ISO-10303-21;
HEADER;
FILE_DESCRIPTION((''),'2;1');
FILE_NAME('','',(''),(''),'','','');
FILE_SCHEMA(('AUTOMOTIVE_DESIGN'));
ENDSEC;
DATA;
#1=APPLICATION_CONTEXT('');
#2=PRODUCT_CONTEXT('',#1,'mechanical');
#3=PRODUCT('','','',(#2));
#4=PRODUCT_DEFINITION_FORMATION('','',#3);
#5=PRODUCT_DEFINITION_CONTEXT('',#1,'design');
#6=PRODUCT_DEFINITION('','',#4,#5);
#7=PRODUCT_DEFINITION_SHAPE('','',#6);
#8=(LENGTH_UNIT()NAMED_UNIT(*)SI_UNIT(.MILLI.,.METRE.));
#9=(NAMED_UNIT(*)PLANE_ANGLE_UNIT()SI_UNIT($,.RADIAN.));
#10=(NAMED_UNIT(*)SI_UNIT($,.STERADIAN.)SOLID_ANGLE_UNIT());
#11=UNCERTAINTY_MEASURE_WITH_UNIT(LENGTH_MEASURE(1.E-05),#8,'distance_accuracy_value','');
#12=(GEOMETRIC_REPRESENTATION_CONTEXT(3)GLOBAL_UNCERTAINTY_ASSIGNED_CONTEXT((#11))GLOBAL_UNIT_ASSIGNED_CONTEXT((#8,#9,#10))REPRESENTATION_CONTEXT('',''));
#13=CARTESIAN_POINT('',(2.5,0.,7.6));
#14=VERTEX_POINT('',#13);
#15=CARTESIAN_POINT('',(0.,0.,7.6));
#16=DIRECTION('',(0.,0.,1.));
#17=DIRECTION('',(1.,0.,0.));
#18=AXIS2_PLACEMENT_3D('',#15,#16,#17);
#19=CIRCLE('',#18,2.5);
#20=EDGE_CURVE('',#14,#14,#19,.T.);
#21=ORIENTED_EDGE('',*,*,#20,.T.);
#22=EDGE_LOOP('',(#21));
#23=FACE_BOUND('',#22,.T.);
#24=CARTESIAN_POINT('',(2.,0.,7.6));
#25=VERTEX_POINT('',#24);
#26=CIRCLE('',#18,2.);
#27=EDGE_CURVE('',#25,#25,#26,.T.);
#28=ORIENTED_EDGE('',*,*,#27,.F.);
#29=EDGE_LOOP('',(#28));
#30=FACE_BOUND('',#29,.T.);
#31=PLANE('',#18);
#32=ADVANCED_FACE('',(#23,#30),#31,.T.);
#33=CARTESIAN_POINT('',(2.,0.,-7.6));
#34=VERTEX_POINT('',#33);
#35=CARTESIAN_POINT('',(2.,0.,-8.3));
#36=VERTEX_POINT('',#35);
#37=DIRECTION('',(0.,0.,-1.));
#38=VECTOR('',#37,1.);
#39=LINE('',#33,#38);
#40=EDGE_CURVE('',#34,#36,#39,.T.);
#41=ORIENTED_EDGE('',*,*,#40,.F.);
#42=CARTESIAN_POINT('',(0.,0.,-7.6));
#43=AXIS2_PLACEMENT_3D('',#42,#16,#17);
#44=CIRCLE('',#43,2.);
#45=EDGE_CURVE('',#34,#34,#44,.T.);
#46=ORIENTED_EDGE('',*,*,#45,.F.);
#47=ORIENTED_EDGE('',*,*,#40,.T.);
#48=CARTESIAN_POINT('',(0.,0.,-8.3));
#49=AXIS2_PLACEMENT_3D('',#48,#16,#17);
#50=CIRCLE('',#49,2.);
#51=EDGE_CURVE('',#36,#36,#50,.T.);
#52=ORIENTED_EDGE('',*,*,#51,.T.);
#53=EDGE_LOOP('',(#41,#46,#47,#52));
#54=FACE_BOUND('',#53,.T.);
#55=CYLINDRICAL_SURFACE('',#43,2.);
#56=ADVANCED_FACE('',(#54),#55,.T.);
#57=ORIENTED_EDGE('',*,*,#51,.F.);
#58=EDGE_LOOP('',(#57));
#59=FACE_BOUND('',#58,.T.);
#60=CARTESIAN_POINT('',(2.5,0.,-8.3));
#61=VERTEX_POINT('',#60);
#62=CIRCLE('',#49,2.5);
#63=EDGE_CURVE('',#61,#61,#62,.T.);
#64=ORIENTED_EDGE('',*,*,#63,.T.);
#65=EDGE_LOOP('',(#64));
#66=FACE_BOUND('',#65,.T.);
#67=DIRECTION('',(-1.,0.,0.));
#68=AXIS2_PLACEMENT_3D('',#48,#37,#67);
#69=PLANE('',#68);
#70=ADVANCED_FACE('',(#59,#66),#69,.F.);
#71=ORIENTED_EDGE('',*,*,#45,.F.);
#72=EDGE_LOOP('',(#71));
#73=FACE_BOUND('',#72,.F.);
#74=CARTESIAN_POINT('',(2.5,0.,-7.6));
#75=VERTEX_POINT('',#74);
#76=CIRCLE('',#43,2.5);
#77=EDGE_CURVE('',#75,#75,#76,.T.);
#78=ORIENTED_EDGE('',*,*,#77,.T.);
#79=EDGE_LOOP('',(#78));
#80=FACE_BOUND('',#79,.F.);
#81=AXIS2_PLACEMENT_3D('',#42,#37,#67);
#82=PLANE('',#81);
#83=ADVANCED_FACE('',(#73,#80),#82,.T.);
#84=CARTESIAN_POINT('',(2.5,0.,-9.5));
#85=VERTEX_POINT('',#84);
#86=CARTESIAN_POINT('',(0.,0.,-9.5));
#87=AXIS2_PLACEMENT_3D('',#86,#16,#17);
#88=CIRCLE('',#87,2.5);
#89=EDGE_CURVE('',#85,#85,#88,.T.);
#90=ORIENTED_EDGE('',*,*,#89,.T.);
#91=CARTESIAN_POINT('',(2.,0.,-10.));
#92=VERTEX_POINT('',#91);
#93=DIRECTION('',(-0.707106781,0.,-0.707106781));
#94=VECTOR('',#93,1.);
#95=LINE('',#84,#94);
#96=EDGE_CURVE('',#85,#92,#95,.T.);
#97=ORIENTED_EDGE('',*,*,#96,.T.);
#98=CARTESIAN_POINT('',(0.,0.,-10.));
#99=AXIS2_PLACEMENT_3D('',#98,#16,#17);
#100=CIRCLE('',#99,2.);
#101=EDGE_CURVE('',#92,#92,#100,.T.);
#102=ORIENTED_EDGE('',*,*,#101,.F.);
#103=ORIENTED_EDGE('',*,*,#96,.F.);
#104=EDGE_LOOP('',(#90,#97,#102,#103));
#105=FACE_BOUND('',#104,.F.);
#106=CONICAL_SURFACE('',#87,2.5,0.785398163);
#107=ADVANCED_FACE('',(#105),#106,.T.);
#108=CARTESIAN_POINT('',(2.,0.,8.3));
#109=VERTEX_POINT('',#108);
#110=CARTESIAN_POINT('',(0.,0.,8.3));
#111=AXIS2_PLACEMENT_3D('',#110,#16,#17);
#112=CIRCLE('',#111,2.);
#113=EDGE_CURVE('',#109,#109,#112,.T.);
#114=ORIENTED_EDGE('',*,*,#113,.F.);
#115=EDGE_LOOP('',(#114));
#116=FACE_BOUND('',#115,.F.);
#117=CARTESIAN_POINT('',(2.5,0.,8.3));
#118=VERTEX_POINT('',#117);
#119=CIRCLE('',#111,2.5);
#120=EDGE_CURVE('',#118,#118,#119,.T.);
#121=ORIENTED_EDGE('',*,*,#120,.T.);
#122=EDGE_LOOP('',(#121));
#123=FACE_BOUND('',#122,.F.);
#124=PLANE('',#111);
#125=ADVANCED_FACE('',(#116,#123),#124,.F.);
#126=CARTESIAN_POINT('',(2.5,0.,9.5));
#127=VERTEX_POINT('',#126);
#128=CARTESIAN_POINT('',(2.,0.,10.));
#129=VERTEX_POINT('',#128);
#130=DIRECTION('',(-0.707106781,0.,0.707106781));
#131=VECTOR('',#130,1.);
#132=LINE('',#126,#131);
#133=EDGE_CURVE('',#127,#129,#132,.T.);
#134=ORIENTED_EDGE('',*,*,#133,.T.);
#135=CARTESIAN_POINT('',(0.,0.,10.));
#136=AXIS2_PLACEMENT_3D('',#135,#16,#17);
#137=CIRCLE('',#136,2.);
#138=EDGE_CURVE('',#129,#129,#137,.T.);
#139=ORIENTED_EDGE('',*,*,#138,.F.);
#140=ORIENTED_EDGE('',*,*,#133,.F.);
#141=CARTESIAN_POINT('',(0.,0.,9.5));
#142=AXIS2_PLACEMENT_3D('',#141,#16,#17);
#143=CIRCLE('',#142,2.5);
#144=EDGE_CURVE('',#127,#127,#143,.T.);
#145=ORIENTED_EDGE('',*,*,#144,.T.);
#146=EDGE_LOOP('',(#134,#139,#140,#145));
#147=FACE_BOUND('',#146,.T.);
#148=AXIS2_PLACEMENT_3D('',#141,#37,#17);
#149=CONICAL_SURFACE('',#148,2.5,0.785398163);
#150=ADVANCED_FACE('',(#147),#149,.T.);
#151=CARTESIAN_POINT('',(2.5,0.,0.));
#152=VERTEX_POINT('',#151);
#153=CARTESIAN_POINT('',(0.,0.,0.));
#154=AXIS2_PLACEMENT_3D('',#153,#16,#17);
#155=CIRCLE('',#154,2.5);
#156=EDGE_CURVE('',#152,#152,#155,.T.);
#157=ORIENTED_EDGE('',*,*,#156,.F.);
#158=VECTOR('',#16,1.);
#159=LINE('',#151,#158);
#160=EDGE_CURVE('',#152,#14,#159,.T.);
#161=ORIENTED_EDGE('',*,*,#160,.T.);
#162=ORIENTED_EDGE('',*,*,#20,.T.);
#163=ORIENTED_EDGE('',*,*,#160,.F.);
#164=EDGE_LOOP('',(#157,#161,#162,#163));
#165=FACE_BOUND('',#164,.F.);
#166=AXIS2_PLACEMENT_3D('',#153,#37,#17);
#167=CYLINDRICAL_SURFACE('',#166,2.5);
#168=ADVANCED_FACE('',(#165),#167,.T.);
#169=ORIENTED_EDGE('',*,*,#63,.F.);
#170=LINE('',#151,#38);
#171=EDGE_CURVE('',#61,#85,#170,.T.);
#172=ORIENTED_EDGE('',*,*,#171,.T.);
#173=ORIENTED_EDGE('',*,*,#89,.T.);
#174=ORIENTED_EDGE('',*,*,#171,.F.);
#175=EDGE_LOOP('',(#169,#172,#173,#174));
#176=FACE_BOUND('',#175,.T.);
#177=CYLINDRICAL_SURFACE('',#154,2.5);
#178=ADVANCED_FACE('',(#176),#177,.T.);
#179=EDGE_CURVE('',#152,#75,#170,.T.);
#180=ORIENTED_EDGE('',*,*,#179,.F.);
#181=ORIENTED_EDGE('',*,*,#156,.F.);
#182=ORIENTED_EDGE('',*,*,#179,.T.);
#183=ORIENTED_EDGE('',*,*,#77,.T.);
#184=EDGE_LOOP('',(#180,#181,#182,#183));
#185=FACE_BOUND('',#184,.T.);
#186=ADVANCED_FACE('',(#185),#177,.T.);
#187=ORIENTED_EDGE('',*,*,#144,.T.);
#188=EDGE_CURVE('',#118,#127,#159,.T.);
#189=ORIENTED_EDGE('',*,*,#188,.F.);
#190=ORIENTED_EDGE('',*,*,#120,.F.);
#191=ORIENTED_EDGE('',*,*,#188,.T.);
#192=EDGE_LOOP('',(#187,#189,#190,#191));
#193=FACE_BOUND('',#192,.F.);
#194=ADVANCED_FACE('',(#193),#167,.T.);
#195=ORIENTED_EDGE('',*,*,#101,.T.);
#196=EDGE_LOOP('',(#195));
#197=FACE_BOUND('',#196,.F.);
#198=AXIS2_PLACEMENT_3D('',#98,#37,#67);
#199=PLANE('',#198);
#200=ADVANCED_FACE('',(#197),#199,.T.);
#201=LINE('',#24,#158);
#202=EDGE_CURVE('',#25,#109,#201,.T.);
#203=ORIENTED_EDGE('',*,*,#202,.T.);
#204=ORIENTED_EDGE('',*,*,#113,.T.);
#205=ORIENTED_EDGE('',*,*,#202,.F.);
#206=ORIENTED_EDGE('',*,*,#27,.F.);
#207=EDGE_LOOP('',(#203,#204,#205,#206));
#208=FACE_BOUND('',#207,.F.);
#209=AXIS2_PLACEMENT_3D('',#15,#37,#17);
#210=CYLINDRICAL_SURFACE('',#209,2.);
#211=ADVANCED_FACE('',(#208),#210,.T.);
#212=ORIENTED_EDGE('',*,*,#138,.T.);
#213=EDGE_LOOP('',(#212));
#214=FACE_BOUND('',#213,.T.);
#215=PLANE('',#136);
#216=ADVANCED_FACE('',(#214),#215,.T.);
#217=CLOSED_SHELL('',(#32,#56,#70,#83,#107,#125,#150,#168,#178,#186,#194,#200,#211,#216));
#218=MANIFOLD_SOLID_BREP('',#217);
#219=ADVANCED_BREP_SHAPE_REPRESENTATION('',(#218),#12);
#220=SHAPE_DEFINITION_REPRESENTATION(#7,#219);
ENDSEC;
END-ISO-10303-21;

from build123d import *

# Parameters (mm, degrees)
F1_R     = 2.5
F2_DEPTH = 10
F3_R     = 2.5
F3_R_2   = 2
F4_DEPTH = 0.7
F6_SIZE  = 0.5


with BuildPart() as f2:
    # F1 (on Top) → F2 (new body)
    with BuildSketch(Plane.XY):
        Circle(F1_R)
    extrude(amount=F2_DEPTH)

    # F3 (on offset) → F4 (cut)
    with BuildSketch(Plane.XY.offset(7.6)):
        Circle(F3_R)
        Circle(F3_R_2, mode=Mode.SUBTRACT)
    extrude(amount=F4_DEPTH, mode=Mode.SUBTRACT)

    # F5: F2 across plane


with BuildPart() as f2_1:
    add(f2.part)
    add(f2.part.mirror(Plane.XY))

    # F6
    f6_edges = [f2_1.edges().sort_by_distance(p)[0] for p in [
        (-2.5, 0, 10),
        (-2.5, 0, -10),
    ]]
    chamfer(f6_edges, length=F6_SIZE)


solid = f2_1.part
